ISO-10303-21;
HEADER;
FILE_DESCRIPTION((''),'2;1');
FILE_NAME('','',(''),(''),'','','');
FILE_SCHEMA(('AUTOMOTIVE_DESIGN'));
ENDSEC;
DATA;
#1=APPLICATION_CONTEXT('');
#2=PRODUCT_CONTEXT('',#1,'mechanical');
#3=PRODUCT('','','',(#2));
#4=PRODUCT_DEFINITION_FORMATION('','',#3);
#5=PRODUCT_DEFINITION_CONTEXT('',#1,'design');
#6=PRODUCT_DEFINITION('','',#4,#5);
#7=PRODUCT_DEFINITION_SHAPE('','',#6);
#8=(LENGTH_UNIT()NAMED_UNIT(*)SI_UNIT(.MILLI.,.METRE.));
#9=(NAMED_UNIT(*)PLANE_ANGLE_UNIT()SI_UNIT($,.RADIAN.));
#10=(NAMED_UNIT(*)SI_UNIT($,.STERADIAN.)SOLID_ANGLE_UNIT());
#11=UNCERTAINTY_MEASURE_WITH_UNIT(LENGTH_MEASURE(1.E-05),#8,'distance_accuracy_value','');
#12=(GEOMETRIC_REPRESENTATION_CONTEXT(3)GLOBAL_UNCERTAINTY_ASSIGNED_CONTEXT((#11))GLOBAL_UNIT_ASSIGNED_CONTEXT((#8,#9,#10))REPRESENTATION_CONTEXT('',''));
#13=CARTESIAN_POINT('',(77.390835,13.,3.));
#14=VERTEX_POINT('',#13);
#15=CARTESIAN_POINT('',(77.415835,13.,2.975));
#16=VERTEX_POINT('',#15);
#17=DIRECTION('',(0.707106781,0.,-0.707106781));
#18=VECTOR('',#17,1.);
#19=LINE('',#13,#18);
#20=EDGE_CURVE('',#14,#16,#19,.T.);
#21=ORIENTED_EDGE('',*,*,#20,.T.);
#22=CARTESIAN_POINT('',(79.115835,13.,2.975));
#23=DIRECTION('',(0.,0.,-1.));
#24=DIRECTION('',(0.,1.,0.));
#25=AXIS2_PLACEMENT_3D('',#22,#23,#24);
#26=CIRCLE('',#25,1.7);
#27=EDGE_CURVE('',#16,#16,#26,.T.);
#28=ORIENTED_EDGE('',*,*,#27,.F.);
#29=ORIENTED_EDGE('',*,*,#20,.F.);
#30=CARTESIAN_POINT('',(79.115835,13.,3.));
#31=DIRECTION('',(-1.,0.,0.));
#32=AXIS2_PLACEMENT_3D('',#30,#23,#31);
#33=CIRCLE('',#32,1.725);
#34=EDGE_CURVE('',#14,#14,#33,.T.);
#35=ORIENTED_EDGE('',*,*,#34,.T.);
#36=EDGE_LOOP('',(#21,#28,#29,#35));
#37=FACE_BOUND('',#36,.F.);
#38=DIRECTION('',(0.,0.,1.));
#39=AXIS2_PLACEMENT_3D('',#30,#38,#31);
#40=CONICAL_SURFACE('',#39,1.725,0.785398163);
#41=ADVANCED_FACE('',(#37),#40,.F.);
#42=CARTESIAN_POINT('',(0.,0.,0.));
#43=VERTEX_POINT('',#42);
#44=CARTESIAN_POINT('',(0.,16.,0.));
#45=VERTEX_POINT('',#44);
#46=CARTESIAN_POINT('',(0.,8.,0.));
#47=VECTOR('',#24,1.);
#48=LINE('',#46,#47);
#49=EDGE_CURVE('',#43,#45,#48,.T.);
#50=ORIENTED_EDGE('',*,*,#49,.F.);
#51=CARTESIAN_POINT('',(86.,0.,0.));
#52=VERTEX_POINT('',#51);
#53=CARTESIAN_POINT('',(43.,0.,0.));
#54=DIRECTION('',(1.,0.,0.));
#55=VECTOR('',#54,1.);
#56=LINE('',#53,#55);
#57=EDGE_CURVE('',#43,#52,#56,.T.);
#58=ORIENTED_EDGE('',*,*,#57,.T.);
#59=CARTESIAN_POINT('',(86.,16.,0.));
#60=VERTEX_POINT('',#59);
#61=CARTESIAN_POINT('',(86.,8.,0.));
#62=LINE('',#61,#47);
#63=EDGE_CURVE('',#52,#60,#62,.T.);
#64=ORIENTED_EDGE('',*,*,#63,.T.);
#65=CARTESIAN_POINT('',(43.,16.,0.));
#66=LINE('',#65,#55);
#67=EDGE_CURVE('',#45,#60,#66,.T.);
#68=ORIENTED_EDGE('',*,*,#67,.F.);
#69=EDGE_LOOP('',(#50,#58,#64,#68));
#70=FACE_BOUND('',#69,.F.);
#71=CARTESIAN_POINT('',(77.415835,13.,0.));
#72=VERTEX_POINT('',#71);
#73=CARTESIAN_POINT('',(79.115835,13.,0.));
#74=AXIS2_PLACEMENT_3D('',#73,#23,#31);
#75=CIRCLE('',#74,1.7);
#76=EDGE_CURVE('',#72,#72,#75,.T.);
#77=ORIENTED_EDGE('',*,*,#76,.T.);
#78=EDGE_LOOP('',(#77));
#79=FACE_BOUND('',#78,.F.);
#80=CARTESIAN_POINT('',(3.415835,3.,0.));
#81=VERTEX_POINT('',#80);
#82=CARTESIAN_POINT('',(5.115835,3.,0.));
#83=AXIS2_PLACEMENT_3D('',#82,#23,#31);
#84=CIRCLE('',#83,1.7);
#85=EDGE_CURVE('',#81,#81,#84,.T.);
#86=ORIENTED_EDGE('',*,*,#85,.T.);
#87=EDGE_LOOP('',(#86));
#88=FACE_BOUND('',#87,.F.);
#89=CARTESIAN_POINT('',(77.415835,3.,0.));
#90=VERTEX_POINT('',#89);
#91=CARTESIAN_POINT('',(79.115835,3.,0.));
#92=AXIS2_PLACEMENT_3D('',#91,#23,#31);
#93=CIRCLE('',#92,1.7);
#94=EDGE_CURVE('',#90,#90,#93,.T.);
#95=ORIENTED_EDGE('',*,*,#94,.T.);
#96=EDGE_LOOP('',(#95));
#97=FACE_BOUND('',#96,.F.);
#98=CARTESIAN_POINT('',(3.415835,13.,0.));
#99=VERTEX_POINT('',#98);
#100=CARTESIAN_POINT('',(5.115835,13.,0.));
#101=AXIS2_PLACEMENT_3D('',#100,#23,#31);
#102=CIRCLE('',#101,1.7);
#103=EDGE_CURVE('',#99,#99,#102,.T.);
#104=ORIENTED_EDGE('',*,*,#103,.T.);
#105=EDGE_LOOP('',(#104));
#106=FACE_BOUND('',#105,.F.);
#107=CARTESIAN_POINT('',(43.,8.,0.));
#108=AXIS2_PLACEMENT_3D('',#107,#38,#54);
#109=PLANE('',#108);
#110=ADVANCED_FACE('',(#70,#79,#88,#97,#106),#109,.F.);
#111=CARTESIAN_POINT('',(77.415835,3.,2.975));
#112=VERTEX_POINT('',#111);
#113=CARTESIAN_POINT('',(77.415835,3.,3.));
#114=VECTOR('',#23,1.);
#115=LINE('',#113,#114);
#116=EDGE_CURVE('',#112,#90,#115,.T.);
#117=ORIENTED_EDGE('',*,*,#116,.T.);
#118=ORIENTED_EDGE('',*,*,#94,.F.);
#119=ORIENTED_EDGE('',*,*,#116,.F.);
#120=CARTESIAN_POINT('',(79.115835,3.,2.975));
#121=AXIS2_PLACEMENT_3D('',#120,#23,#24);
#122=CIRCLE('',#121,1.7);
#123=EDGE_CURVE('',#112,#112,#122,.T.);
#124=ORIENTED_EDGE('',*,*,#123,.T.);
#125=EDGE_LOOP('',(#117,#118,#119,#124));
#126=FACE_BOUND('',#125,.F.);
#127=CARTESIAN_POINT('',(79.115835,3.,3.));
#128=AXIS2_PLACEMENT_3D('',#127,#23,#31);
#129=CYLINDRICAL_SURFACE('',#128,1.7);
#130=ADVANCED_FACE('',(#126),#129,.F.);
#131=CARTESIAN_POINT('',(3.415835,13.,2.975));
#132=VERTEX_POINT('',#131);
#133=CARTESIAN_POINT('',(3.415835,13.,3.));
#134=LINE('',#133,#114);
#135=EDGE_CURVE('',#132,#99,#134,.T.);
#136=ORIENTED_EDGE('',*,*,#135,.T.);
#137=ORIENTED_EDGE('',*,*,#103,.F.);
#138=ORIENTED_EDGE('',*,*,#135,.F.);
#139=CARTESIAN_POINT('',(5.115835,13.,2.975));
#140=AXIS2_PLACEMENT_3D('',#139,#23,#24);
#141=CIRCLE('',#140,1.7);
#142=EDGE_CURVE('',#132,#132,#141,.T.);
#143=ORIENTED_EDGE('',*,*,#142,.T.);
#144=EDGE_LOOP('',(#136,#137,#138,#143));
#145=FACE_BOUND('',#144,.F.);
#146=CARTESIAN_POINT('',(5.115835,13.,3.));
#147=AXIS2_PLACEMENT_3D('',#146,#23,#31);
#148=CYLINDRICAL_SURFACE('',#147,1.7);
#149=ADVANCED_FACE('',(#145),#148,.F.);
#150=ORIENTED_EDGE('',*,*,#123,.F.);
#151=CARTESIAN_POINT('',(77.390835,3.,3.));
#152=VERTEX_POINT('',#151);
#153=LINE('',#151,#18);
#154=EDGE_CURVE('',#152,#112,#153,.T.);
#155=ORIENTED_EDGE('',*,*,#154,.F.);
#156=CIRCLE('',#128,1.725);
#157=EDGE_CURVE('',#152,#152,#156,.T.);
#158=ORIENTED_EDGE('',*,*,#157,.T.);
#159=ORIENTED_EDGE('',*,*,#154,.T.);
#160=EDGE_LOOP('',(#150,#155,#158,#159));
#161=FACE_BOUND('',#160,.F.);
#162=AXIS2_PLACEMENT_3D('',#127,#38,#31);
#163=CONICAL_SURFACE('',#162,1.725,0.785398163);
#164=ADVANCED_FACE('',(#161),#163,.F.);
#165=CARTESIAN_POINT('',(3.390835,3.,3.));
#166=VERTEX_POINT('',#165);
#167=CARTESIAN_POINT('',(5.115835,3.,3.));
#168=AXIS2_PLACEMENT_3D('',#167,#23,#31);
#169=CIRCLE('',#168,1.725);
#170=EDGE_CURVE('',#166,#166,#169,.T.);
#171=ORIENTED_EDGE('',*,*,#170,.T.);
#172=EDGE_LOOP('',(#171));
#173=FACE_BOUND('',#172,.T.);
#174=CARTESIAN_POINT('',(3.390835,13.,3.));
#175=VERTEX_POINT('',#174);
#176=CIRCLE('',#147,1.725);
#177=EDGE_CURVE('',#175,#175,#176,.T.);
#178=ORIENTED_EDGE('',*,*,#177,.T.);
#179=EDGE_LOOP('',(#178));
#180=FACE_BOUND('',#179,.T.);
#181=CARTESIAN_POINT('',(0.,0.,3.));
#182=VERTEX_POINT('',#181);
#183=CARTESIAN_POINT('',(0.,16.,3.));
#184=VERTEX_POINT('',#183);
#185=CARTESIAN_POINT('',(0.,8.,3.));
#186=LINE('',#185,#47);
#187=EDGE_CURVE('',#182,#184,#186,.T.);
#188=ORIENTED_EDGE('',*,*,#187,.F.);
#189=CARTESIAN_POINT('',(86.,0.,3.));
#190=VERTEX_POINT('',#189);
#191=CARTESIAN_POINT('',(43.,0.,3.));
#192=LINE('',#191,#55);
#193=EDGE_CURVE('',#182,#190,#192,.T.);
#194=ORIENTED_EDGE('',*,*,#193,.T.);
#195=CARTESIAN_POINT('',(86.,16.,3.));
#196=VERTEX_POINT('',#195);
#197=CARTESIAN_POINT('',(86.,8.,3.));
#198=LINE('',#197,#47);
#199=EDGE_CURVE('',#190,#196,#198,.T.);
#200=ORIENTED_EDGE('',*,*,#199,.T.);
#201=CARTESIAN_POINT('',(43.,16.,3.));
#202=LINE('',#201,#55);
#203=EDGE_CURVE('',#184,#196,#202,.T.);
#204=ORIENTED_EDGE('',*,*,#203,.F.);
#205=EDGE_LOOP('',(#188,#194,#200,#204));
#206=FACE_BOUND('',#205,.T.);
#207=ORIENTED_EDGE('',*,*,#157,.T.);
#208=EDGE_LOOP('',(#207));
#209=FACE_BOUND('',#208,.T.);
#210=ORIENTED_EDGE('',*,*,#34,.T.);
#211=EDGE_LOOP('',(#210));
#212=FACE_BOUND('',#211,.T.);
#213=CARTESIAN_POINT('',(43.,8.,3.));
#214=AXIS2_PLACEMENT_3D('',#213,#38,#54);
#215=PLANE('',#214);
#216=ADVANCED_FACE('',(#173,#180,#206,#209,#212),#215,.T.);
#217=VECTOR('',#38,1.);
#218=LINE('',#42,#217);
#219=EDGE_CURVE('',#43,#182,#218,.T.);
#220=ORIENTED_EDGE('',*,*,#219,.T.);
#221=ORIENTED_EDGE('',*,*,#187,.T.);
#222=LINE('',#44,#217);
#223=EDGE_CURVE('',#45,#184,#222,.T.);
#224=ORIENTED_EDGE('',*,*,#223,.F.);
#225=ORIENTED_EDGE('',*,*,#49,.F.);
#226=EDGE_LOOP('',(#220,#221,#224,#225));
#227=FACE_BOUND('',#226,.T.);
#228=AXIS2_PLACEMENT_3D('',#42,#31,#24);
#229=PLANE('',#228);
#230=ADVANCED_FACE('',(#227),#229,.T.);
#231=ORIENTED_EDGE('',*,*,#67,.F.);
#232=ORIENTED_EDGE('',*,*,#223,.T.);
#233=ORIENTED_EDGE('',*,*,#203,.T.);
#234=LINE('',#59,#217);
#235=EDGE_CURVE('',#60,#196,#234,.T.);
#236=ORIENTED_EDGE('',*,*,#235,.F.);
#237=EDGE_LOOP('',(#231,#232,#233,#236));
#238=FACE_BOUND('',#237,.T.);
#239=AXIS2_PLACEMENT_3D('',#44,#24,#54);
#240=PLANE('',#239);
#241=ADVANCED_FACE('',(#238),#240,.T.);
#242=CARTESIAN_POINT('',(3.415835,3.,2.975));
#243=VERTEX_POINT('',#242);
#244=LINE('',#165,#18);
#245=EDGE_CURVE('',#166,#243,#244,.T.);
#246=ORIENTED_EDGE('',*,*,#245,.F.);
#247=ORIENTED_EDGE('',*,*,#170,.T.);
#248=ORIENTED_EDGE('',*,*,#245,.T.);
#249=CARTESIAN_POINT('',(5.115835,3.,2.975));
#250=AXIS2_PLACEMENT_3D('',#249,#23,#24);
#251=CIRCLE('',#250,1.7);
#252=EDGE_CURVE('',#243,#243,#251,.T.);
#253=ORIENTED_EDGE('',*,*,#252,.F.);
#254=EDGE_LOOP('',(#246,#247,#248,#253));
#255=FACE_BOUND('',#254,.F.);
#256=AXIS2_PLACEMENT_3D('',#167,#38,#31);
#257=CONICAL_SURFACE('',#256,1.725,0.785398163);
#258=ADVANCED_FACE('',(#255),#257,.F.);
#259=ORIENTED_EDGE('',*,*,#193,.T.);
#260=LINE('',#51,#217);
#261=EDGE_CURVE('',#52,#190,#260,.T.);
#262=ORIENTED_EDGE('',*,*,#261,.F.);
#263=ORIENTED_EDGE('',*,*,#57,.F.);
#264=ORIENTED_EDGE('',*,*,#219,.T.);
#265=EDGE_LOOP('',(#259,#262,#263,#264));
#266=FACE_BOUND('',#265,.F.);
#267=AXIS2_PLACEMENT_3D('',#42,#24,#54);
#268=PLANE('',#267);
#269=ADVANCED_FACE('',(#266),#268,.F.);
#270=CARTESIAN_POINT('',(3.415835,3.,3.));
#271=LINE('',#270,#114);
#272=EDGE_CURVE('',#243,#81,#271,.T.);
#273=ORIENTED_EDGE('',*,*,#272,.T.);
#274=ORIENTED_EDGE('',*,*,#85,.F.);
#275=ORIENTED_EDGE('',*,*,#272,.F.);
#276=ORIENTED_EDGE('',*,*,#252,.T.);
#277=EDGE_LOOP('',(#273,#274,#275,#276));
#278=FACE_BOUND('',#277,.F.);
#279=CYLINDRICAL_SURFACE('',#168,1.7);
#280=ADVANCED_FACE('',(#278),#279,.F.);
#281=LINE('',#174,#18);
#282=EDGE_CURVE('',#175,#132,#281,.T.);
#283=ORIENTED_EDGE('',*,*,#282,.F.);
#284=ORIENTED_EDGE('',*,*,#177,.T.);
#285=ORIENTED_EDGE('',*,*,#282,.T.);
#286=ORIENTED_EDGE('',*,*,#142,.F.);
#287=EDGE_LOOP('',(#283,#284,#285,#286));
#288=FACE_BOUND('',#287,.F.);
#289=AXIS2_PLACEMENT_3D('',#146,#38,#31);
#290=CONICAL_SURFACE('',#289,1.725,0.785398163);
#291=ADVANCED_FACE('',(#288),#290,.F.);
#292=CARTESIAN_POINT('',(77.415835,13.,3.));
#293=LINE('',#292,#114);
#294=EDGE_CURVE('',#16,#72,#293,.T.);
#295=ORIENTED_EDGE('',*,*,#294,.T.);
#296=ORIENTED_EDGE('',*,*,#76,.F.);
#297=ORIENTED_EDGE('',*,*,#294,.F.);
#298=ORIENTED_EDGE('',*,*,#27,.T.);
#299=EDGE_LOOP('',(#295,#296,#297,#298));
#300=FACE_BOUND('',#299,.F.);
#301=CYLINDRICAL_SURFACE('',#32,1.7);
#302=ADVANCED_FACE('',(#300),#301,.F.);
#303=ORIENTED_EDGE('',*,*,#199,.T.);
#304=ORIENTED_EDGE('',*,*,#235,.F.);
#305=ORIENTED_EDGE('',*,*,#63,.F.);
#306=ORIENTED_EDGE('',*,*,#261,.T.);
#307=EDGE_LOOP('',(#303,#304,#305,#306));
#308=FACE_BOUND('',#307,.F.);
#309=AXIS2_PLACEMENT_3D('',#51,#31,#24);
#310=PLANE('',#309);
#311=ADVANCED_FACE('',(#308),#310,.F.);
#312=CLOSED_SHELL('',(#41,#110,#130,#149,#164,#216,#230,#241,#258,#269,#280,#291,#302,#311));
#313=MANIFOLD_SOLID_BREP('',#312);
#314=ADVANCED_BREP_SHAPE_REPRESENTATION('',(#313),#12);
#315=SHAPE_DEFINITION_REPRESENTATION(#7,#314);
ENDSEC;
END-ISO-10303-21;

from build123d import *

# Parameters (mm, degrees)
SKETCH1_W                      = 86
SKETCH1_H                      = 16
BOSS_EXTRUDE1_DEPTH            = 3
M3_CLEARANCE_HOLE1_D           = 3.4
M3_CLEARANCE_HOLE1_CSINK_D     = 3.45
M3_CLEARANCE_HOLE1_CSINK_ANGLE = 90


with BuildPart() as part:
    # Sketch1 → Boss-Extrude1 (new body)
    with BuildSketch(Plane.XY):
        with Locations((43, 8)):
            Rectangle(SKETCH1_W, SKETCH1_H)
    extrude(amount=BOSS_EXTRUDE1_DEPTH)

    # M3 Clearance Hole1 (through all)
    with Locations(Plane.XY.offset(3)):
        with Locations((5.115834522, 13), (5.115834522, 3), (79.115834522, 13), (79.115834522, 3)):
            CounterSinkHole(M3_CLEARANCE_HOLE1_D / 2, M3_CLEARANCE_HOLE1_CSINK_D / 2, counter_sink_angle=M3_CLEARANCE_HOLE1_CSINK_ANGLE)


solid = part.part
